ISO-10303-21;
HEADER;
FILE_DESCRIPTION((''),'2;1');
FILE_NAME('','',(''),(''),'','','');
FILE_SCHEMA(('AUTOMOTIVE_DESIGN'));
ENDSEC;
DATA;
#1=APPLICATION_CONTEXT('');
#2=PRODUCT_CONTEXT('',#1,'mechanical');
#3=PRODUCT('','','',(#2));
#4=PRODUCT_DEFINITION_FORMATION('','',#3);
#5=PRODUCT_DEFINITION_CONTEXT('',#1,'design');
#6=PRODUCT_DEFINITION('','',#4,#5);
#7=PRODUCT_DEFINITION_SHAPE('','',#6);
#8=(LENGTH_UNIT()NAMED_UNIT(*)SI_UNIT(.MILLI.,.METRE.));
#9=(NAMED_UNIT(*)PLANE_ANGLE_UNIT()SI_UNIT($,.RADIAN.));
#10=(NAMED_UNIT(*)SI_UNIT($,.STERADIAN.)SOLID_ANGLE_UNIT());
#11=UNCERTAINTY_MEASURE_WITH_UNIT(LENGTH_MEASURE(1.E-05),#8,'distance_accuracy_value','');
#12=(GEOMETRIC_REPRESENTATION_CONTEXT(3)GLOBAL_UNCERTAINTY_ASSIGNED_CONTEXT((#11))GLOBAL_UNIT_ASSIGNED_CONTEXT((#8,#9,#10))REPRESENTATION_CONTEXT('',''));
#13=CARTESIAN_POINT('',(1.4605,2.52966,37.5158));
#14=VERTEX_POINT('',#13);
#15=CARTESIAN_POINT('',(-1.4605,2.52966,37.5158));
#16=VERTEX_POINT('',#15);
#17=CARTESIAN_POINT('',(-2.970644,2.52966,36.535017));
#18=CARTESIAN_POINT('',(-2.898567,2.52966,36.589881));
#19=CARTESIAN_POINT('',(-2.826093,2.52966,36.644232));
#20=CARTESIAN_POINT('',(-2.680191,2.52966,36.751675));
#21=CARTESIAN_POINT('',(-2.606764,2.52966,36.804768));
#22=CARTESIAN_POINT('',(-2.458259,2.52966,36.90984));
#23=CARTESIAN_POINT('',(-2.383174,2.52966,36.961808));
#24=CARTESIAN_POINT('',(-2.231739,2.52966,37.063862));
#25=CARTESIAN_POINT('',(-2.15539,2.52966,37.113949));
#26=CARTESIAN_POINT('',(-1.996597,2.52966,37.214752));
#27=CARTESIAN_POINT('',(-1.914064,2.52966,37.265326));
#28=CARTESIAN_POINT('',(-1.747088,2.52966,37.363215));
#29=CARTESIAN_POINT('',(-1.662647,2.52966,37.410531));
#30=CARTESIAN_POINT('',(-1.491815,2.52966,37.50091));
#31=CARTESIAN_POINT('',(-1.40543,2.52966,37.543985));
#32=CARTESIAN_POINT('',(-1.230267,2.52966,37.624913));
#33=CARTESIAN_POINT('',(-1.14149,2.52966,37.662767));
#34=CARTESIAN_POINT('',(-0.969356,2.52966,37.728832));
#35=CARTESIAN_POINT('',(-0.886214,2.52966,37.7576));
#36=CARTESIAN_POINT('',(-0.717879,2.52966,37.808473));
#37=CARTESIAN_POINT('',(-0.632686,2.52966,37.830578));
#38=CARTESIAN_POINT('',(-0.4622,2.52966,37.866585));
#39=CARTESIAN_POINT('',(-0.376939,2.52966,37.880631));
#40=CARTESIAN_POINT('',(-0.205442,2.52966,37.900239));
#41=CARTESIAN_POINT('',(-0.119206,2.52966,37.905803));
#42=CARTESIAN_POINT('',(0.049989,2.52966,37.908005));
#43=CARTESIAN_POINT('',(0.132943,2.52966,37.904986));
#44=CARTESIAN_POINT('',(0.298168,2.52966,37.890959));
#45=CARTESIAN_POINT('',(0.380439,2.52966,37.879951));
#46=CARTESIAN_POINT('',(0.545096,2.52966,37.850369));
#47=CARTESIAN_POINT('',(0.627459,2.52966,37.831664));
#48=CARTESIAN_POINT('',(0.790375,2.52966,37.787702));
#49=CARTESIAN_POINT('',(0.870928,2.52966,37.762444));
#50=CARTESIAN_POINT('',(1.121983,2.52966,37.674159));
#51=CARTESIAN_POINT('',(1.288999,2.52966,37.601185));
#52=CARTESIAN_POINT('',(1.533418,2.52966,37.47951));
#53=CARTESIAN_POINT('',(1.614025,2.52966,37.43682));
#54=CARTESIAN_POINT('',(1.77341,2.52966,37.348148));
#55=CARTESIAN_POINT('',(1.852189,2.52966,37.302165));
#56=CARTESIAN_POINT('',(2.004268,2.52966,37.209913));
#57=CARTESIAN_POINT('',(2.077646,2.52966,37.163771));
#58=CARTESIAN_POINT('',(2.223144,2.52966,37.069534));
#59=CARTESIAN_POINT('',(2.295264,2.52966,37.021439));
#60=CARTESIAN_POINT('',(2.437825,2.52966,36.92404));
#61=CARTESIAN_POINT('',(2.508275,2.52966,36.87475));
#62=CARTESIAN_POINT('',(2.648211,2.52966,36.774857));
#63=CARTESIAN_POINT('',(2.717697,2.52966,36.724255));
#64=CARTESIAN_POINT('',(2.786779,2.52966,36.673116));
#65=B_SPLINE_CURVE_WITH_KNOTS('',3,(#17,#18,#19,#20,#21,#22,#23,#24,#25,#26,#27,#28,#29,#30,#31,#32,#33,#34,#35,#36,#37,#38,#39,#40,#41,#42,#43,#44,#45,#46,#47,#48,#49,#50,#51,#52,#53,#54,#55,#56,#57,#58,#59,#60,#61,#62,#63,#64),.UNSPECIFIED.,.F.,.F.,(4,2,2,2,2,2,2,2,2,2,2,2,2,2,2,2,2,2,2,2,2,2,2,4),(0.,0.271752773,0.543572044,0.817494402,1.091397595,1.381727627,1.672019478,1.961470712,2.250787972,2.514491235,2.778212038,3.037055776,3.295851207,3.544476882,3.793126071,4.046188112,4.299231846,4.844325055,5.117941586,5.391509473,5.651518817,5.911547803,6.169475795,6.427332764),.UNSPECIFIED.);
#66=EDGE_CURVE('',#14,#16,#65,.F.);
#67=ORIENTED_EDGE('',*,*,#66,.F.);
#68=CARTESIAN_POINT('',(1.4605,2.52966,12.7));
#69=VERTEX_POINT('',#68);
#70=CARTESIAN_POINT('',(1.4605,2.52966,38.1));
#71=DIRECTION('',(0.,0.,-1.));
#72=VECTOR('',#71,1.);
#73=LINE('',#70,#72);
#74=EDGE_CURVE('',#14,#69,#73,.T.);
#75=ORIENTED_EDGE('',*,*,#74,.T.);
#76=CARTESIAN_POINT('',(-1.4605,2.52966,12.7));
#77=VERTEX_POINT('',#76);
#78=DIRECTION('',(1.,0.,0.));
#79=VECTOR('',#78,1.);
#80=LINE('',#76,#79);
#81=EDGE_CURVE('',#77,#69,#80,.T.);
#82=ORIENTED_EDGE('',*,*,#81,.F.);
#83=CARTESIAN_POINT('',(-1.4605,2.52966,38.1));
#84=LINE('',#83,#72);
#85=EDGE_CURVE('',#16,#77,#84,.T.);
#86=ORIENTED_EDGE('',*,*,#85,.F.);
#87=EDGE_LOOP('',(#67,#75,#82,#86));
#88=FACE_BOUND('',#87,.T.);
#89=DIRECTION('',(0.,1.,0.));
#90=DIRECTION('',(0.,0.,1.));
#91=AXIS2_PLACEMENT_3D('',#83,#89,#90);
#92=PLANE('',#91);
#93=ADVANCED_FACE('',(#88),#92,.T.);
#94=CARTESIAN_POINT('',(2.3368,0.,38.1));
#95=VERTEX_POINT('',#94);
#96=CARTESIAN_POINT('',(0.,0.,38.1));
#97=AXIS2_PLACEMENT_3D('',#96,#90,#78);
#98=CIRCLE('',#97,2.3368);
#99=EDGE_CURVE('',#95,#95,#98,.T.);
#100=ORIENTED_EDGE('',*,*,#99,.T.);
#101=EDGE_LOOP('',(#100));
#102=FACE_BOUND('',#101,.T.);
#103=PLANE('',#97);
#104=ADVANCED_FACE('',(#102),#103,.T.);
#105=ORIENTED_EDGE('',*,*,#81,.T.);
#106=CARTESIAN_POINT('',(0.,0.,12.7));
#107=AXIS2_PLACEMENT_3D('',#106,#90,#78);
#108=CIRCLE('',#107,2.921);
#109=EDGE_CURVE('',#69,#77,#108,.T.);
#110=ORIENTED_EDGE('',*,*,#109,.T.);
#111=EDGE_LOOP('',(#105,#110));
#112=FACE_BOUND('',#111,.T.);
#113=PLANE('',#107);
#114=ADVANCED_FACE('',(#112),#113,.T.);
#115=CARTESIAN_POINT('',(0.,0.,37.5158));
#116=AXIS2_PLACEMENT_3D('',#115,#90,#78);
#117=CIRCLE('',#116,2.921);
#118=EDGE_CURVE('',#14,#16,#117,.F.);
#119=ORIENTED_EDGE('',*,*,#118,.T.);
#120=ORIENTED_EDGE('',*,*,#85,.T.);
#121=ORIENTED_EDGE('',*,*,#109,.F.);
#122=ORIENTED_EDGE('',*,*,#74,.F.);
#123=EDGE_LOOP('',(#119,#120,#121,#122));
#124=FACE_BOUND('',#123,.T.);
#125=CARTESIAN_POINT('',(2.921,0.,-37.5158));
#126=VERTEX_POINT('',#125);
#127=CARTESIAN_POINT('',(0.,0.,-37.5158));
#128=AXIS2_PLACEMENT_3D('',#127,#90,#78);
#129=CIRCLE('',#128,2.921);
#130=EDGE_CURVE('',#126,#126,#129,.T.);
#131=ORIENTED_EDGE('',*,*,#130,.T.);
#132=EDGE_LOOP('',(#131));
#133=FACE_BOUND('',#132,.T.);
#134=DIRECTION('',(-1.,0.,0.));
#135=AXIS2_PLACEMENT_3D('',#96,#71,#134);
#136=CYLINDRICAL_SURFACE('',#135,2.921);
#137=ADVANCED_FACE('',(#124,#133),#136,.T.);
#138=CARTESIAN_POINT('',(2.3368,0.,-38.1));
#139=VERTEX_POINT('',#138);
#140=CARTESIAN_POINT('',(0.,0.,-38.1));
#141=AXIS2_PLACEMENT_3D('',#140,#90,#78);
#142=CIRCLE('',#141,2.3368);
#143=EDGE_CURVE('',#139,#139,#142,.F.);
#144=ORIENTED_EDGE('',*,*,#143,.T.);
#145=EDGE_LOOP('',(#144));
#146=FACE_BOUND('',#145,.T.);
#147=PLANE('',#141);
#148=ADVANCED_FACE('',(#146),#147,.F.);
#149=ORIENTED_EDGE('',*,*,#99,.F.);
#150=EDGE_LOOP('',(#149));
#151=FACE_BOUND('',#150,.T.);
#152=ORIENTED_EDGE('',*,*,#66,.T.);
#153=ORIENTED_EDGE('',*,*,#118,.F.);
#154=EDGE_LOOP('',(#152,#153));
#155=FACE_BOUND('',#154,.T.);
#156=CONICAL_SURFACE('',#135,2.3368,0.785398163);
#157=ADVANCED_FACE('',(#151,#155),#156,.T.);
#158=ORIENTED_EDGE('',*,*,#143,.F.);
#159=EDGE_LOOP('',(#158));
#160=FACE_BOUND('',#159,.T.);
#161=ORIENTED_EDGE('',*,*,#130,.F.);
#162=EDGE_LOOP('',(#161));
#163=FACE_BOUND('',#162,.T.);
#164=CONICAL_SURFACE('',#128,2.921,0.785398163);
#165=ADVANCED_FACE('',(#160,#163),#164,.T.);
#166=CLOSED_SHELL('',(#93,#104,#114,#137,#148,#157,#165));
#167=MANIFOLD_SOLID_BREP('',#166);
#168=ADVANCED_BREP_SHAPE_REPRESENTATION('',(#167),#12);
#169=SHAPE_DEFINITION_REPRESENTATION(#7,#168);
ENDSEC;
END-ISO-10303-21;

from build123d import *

# Parameters (mm, degrees)
SKETCH1_R      = 2.921
EXTRUDE1_DEPTH = 38.1
CHAMFER1_SIZE  = 0.5842
EXTRUDE7_DEPTH = 26.4


with BuildPart() as part:
    # Sketch1 → Extrude1 (new body, symmetric)
    with BuildSketch(Plane.XY):
        Circle(SKETCH1_R)
    extrude(amount=EXTRUDE1_DEPTH, both=True)

    # Chamfer1
    chamfer1_edges = [part.edges().sort_by_distance(p)[0] for p in [
        (-2.921, 0, -38.1),
        (-2.921, 0, 38.1),
    ]]
    chamfer(chamfer1_edges, length=CHAMFER1_SIZE)

    # Sketch13 → Extrude7 (cut, through all)
    with BuildSketch(Plane.XY.offset(12.7)):
        with BuildLine():
            Line((-1.4605, 2.529660204), (1.4605, 2.529660204))
            ThreePointArc((1.4605, 2.529660204), (0, 2.921), (-1.4605, 2.529660204))
        make_face()
    extrude(amount=EXTRUDE7_DEPTH, mode=Mode.SUBTRACT)


solid = part.part
